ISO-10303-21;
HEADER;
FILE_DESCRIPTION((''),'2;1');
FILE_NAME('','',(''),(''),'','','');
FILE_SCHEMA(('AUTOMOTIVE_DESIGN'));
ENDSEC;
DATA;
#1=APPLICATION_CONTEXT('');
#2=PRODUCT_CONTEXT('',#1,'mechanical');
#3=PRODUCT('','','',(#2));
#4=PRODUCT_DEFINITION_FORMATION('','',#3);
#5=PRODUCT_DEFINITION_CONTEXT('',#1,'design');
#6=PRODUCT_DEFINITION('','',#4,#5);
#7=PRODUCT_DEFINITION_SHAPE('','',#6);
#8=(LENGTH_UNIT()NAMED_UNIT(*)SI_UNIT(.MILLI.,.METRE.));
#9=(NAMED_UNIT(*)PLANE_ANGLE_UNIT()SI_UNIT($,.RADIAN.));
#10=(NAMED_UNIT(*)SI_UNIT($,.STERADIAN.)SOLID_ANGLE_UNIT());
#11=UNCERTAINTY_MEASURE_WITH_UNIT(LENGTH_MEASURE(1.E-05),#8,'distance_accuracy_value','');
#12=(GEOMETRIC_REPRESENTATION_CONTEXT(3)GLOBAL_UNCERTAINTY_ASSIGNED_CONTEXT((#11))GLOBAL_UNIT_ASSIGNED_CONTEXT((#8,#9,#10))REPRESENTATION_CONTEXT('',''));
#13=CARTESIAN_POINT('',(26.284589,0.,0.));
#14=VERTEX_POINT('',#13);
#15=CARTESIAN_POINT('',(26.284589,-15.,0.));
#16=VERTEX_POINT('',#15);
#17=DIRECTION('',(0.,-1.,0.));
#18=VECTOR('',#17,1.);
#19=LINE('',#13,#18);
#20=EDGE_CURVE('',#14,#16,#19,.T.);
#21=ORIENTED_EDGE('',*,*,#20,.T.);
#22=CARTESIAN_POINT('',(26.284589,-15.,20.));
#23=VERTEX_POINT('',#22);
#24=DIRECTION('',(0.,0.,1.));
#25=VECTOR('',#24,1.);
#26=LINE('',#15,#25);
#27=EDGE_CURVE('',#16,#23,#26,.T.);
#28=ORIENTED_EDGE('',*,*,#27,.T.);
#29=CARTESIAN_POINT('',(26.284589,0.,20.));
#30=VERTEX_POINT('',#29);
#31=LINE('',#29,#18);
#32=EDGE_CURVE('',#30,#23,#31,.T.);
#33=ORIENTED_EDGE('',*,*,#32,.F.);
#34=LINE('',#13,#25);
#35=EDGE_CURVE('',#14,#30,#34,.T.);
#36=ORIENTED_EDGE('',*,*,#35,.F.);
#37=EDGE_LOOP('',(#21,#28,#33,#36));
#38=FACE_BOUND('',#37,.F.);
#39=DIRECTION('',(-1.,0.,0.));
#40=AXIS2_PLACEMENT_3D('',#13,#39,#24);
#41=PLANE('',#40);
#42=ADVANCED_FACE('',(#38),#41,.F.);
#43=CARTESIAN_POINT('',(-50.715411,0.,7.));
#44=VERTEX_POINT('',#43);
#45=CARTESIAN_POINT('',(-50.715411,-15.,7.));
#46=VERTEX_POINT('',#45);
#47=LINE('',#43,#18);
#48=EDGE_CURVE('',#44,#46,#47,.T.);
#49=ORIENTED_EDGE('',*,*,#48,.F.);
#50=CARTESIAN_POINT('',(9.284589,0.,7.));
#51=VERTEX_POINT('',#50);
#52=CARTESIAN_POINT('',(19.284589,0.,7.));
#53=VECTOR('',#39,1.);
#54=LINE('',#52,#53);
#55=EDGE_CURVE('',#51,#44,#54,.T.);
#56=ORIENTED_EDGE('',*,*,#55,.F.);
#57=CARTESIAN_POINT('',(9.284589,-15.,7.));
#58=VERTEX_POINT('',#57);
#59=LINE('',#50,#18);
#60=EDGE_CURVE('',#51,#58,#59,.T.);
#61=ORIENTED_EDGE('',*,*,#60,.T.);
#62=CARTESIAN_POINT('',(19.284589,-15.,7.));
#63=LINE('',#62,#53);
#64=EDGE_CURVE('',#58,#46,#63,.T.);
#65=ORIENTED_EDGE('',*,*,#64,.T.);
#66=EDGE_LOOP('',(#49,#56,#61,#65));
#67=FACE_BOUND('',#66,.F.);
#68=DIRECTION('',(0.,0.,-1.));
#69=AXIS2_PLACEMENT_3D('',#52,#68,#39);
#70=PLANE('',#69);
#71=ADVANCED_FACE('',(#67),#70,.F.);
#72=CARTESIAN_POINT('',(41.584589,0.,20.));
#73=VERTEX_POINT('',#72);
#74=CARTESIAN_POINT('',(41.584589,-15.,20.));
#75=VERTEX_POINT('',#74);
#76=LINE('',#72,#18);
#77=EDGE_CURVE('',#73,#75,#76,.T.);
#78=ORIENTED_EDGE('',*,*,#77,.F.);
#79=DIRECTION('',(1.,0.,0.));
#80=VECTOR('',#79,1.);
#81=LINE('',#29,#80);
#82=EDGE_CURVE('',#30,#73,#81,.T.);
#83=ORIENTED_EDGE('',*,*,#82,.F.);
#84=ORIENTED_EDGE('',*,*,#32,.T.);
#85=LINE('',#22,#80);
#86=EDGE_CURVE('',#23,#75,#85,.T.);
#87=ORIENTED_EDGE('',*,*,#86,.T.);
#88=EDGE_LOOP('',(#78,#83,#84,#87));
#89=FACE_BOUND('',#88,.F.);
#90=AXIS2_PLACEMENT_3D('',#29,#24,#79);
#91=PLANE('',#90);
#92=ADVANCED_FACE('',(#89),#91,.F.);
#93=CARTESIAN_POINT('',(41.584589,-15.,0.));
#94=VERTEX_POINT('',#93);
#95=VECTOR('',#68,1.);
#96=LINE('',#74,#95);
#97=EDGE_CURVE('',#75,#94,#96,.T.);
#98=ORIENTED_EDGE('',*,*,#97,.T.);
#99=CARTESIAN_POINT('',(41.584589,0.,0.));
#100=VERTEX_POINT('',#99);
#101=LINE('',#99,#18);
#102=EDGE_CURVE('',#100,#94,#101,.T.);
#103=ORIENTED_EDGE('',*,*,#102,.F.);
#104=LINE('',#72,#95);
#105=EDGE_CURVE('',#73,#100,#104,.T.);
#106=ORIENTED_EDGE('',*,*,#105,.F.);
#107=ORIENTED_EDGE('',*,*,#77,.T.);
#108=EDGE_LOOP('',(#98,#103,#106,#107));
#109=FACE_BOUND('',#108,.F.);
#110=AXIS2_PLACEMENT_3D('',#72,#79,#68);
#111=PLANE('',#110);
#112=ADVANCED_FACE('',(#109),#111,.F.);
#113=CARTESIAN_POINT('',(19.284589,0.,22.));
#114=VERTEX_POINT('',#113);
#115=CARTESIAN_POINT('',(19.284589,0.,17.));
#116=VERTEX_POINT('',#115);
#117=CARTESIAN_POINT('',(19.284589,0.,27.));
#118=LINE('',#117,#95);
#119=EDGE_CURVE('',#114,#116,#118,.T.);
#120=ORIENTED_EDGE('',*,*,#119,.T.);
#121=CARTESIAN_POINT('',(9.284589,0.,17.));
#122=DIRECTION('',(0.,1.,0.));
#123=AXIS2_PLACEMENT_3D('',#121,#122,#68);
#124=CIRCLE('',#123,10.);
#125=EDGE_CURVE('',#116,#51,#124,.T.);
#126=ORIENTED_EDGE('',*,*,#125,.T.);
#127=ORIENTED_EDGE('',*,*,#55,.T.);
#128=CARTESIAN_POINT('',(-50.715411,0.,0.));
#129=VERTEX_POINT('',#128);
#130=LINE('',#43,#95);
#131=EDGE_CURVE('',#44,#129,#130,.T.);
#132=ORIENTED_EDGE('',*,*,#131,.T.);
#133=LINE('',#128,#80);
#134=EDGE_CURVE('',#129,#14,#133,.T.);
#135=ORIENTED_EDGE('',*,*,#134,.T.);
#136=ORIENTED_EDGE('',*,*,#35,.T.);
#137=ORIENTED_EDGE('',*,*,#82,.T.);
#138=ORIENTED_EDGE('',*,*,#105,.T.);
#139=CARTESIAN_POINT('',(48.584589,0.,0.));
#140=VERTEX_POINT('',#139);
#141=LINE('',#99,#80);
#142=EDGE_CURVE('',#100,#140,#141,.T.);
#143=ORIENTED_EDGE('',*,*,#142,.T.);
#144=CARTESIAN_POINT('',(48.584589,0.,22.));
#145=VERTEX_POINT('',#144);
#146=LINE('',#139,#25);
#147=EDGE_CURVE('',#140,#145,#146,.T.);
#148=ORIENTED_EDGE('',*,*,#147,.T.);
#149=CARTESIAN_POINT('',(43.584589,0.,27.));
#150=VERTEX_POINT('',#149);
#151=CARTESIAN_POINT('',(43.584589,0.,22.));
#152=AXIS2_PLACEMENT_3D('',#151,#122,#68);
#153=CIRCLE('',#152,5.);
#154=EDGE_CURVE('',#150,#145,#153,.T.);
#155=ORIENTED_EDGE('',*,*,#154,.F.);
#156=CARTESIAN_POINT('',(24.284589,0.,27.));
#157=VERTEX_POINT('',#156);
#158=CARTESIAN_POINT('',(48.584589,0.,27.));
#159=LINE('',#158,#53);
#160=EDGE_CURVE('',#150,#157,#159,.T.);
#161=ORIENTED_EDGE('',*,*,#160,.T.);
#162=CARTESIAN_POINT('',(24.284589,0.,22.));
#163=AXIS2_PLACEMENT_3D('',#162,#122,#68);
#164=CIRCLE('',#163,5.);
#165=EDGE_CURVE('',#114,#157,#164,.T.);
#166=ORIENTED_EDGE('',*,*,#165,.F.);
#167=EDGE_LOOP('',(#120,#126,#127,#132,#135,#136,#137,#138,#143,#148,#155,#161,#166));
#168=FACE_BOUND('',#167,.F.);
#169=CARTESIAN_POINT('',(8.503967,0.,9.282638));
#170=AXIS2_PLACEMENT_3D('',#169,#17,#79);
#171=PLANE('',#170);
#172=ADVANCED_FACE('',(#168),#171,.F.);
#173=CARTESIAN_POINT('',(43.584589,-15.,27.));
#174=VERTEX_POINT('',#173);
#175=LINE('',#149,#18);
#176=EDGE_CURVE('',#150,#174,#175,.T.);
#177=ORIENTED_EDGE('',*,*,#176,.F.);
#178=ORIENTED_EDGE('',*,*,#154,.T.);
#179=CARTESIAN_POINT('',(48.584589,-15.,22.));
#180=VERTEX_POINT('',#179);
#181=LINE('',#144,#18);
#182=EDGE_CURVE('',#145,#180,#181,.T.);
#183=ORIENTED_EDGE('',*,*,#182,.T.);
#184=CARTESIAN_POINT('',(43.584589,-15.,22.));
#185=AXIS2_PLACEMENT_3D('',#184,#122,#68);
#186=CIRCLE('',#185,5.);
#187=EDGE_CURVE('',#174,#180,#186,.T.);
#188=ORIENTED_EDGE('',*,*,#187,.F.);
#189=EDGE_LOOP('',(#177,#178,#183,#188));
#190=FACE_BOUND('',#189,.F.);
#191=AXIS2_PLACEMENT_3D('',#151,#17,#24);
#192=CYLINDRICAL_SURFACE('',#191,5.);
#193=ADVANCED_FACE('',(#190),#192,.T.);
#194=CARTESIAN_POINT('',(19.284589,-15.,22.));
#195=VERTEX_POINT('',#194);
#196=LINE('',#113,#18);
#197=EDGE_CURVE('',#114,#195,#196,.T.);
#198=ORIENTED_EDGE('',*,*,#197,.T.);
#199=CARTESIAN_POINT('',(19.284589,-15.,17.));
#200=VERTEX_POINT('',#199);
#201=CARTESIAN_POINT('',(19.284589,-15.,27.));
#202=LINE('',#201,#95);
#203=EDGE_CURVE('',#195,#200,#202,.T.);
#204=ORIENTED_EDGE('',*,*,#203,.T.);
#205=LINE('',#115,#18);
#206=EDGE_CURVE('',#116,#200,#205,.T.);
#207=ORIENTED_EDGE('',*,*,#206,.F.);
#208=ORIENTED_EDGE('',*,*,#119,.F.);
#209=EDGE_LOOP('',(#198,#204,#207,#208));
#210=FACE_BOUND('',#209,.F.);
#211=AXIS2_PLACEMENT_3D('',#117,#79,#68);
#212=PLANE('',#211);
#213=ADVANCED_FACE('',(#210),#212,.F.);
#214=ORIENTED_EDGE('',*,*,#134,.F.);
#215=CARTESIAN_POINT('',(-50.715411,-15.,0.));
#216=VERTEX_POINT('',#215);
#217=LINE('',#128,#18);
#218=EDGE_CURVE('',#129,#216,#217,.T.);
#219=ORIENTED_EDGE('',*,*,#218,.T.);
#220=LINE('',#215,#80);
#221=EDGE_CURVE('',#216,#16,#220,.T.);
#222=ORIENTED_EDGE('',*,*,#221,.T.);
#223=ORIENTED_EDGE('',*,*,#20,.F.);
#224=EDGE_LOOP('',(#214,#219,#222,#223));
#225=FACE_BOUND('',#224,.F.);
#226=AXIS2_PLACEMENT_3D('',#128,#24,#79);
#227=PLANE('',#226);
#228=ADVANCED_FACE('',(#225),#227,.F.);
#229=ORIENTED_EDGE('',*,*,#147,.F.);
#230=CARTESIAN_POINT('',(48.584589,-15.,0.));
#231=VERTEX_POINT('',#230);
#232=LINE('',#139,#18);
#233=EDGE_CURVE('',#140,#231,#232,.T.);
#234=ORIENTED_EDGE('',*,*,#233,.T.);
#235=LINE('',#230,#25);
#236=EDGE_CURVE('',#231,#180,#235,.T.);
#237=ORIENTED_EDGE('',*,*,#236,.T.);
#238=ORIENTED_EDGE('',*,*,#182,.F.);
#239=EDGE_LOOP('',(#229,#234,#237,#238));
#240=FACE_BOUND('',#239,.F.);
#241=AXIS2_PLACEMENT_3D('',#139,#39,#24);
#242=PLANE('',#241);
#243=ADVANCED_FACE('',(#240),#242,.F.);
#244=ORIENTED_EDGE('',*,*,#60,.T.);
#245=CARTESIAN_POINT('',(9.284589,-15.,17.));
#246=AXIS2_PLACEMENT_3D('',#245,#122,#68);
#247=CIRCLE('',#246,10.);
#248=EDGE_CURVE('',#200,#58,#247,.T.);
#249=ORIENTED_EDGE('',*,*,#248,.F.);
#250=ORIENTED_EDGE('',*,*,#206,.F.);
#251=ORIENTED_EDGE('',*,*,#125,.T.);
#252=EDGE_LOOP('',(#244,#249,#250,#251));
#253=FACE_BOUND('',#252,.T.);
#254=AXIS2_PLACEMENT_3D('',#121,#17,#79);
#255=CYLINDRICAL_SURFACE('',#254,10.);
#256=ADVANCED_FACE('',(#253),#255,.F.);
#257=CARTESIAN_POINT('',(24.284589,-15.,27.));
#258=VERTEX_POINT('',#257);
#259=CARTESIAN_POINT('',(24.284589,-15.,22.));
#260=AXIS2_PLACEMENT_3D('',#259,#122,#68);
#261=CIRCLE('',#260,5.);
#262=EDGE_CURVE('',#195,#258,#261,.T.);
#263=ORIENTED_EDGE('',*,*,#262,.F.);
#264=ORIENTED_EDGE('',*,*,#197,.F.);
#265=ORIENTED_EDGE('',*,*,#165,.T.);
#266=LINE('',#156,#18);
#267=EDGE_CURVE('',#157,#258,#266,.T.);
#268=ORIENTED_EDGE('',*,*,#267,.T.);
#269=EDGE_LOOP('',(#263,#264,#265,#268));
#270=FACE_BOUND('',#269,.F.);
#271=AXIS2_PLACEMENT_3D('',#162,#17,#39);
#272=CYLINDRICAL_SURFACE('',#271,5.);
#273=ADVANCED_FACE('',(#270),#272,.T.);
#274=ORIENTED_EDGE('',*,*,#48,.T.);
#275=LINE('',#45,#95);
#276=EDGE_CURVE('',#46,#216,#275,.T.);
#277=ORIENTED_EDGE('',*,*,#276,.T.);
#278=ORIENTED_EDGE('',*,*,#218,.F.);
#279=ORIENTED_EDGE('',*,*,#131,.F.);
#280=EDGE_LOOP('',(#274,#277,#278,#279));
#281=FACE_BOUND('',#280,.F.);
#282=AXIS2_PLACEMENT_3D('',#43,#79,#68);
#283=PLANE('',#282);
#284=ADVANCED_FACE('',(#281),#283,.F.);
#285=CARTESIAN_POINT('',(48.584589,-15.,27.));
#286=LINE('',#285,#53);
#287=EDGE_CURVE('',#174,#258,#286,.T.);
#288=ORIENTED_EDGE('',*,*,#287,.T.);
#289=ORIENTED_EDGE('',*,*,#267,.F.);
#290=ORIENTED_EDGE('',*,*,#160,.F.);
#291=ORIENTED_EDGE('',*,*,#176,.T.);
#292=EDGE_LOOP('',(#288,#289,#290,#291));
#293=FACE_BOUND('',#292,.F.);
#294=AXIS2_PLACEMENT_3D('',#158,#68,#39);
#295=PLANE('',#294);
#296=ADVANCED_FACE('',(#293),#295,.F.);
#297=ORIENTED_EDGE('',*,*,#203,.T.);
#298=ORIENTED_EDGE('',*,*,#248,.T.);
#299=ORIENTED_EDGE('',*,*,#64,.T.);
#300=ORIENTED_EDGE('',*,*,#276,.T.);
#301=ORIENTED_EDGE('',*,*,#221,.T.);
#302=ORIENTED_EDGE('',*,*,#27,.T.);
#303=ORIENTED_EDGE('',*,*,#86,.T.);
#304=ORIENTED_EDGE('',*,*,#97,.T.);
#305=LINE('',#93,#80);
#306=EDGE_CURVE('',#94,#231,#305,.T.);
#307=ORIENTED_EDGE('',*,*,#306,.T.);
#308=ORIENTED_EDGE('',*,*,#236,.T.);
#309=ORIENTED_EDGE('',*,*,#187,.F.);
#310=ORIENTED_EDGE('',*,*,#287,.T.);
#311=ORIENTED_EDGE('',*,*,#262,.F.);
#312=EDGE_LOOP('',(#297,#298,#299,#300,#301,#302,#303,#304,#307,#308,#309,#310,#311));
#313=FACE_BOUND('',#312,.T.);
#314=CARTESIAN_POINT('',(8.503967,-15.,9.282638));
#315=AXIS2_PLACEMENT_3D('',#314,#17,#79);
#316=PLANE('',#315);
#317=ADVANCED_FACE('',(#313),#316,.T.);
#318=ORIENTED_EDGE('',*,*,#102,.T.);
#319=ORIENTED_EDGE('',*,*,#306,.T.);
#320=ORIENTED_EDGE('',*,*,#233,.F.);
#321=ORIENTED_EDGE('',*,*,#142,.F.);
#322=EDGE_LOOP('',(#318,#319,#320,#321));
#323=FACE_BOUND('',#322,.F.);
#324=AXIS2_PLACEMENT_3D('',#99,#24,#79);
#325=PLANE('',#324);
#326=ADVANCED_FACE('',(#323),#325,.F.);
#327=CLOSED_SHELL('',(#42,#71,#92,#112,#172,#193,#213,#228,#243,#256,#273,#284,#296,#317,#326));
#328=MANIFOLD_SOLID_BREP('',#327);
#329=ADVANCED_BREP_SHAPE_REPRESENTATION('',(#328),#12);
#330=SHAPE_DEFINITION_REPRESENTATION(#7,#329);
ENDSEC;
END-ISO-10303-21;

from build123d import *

# Parameters (mm, degrees)
F1_DEPTH = 15
F2_R     = 10
F3_R     = 5
F4_R     = 5


with BuildPart() as f1:
    # F0 (on Front) → F1 (new body)
    with BuildSketch(Plane.XZ):
        Polygon((41.584589, 20), (41.584589, 0), (48.584589, 0), (48.584589, 27), (19.284589, 27), (19.284589, 7), (-45.715411, 7), (-50.715411, 7), (-50.715411, 0), (26.284589, 0), (26.284589, 20), align=None)
    extrude(amount=F1_DEPTH)

    # F2
    f2_edges = [f1.edges().sort_by_distance(p)[0] for p in [
        (19.284589, -7.5, 7),
    ]]
    fillet(f2_edges, radius=F2_R)

    # F3
    f3_edges = [f1.edges().sort_by_distance(p)[0] for p in [
        (19.284589, -7.5, 27),
    ]]
    fillet(f3_edges, radius=F3_R)

    # F4
    f4_edges = [f1.edges().sort_by_distance(p)[0] for p in [
        (48.584589, -7.5, 27),
    ]]
    fillet(f4_edges, radius=F4_R)


solid = f1.part
